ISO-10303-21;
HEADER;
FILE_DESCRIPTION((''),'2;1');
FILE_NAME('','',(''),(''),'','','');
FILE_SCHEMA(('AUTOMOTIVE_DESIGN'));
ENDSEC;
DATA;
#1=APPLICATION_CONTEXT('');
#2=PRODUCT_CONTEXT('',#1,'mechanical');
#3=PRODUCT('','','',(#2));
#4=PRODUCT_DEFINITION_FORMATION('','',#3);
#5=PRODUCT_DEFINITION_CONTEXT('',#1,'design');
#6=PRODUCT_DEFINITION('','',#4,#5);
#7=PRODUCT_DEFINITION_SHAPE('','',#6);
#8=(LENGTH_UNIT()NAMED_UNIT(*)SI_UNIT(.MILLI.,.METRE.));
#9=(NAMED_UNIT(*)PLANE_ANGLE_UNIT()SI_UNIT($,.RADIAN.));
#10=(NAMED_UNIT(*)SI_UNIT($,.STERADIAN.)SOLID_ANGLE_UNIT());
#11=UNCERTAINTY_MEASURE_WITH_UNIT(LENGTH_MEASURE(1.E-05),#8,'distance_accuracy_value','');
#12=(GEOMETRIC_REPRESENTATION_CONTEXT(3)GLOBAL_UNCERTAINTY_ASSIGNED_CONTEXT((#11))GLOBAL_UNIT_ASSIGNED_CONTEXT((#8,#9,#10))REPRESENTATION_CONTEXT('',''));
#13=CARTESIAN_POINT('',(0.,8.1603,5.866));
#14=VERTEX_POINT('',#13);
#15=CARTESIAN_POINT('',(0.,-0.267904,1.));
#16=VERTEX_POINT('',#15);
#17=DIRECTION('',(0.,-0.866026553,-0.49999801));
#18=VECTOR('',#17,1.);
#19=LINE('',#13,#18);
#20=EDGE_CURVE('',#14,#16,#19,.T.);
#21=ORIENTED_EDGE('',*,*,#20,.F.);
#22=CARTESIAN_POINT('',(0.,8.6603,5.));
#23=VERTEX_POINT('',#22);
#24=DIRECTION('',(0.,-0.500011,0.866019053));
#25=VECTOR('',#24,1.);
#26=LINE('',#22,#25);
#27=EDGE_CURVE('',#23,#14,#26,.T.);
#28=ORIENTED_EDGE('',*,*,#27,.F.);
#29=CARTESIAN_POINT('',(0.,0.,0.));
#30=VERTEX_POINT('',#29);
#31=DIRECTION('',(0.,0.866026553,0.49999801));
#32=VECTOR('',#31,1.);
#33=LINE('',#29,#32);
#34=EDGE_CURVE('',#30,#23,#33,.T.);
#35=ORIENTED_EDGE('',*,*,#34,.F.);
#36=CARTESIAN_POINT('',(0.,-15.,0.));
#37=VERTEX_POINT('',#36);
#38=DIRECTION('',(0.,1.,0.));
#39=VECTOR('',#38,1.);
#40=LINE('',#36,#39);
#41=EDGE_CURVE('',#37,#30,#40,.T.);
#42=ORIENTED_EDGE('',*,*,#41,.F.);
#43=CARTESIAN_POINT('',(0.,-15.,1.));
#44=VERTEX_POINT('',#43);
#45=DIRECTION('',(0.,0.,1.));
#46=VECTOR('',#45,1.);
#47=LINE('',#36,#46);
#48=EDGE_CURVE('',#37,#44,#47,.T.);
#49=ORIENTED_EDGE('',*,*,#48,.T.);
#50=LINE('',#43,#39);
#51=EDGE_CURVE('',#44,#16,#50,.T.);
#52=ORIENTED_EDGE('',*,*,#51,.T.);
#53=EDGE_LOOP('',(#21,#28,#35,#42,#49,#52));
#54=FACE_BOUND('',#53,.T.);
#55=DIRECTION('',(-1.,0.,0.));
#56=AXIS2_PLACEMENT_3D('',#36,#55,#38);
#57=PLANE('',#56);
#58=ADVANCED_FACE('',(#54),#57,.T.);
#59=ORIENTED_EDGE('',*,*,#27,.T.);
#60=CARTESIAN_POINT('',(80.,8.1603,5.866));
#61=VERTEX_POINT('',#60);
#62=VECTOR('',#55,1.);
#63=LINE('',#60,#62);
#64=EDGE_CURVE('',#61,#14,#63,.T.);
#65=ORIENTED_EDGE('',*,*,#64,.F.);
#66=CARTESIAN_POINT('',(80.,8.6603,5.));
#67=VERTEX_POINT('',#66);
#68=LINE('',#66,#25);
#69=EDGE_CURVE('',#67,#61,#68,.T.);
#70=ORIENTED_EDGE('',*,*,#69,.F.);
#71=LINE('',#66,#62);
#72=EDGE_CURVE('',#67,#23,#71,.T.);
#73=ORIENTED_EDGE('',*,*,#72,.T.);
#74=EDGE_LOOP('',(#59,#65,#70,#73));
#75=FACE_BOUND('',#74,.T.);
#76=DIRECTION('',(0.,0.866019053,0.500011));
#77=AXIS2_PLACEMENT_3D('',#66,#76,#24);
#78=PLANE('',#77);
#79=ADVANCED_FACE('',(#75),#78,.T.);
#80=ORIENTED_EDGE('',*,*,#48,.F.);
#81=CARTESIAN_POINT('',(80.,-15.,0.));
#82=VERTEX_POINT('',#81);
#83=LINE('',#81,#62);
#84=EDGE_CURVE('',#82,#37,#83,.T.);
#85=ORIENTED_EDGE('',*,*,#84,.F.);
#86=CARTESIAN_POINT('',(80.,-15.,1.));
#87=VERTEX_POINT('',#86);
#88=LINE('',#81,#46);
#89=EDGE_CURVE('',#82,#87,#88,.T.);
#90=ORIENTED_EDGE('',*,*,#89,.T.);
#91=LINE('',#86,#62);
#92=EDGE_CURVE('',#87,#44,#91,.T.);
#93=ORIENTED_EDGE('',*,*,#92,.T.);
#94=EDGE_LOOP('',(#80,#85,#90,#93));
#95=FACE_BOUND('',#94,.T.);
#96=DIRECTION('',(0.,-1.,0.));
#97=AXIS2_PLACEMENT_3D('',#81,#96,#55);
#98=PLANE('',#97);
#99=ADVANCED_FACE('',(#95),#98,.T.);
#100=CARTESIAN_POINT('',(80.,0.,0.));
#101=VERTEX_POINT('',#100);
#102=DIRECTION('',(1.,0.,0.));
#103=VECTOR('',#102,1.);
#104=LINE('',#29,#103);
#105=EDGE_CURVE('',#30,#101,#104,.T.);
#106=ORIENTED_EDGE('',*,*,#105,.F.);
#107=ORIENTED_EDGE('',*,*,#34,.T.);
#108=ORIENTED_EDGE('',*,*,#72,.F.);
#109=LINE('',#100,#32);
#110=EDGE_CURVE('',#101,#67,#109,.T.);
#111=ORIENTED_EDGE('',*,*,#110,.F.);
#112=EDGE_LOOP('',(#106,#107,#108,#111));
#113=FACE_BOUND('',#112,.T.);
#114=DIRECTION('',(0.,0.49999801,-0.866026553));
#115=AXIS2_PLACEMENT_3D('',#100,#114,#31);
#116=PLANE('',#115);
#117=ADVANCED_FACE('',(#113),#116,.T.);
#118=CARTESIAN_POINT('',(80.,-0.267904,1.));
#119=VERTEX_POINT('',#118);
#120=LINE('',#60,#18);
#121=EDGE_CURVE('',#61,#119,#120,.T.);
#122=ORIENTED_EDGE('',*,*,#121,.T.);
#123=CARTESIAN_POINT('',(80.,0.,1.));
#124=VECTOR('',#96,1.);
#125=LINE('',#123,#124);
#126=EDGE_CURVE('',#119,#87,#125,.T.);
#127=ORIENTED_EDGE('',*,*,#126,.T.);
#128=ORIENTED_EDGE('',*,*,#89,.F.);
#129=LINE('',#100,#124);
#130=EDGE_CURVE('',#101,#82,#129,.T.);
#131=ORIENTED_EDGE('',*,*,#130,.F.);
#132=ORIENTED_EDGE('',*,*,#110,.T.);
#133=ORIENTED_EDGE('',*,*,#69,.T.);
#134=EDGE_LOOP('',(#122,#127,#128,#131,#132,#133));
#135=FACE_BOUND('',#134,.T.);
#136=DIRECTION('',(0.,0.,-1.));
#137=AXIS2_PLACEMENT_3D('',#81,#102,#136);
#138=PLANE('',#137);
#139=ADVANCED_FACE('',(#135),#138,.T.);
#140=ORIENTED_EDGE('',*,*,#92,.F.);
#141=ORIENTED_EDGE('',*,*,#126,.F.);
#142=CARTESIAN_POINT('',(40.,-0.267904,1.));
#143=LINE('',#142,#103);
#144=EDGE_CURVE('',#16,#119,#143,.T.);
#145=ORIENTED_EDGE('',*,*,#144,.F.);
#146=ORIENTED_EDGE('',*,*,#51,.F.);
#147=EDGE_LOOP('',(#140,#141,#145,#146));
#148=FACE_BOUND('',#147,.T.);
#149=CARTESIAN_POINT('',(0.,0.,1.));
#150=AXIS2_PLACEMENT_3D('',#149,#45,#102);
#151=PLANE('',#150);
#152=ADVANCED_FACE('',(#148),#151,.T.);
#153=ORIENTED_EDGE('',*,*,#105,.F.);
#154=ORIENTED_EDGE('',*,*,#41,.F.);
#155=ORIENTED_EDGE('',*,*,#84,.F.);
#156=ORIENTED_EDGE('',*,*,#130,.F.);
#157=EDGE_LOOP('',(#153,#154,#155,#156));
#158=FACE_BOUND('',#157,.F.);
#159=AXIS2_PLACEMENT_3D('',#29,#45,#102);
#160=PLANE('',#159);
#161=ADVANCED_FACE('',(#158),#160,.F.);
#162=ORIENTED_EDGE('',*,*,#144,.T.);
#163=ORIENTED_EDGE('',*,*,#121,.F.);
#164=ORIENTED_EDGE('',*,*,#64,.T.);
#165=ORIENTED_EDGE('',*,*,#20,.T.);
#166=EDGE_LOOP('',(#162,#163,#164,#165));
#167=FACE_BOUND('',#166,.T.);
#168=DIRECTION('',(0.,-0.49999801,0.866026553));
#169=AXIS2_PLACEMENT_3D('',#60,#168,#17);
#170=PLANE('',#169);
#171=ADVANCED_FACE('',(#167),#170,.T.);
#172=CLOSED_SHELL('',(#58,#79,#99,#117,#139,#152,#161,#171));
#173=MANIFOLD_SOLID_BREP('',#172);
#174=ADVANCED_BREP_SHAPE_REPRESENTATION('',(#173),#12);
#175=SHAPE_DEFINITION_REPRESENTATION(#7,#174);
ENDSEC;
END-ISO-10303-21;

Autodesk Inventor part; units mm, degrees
ref_plane "YZ Plane" through (0, 0, 0) normal (1, 0, 0) x (0, 1, 0)
ref_plane "XZ Plane" through (0, 0, 0) normal (0, 1, 0) x (-1, 0, 0)
ref_plane "XY Plane" through (0, 0, 0) normal (0, 0, 1) x (1, 0, 0)
sketch "スケッチ2" plane through (0, 0, 0) normal (0, 0, 1) x (1, 0, 0)
  line L0 (0, 0) -> (80, 0)
  line L1 (80, 0) -> (80, -15)
  line L2 (80, -15) -> (0, -15)
  line L3 (0, -15) -> (0, 0)
  dimension "d4" = 80
  dimension "d5" = 15
extrude "押し出し2" add sketch "スケッチ2" along normal blind 1
sketch "スケッチ3" plane through (80, -15, 0) normal (1, 0, 0) x (0, 0, -1)
  line L0 (0, 15) -> (-5, 23.6603)
  line L1 (0, 15) -> (10, 15) construction
  line L2 (-5, 23.6603) -> (-5.866, 23.1603)
  line L3 (-5.866, 23.1603) -> (-0.866, 14.5)
  line L4 (-0.866, 14.5) -> (0, 15)
  dimension "d8" = 10
  dimension "d9" = 120
  dimension "d10" = 1
  dimension "d11" = 10
extrude "押し出し3" add sketch "スケッチ3" against normal blind 80
properties part number "geard"
